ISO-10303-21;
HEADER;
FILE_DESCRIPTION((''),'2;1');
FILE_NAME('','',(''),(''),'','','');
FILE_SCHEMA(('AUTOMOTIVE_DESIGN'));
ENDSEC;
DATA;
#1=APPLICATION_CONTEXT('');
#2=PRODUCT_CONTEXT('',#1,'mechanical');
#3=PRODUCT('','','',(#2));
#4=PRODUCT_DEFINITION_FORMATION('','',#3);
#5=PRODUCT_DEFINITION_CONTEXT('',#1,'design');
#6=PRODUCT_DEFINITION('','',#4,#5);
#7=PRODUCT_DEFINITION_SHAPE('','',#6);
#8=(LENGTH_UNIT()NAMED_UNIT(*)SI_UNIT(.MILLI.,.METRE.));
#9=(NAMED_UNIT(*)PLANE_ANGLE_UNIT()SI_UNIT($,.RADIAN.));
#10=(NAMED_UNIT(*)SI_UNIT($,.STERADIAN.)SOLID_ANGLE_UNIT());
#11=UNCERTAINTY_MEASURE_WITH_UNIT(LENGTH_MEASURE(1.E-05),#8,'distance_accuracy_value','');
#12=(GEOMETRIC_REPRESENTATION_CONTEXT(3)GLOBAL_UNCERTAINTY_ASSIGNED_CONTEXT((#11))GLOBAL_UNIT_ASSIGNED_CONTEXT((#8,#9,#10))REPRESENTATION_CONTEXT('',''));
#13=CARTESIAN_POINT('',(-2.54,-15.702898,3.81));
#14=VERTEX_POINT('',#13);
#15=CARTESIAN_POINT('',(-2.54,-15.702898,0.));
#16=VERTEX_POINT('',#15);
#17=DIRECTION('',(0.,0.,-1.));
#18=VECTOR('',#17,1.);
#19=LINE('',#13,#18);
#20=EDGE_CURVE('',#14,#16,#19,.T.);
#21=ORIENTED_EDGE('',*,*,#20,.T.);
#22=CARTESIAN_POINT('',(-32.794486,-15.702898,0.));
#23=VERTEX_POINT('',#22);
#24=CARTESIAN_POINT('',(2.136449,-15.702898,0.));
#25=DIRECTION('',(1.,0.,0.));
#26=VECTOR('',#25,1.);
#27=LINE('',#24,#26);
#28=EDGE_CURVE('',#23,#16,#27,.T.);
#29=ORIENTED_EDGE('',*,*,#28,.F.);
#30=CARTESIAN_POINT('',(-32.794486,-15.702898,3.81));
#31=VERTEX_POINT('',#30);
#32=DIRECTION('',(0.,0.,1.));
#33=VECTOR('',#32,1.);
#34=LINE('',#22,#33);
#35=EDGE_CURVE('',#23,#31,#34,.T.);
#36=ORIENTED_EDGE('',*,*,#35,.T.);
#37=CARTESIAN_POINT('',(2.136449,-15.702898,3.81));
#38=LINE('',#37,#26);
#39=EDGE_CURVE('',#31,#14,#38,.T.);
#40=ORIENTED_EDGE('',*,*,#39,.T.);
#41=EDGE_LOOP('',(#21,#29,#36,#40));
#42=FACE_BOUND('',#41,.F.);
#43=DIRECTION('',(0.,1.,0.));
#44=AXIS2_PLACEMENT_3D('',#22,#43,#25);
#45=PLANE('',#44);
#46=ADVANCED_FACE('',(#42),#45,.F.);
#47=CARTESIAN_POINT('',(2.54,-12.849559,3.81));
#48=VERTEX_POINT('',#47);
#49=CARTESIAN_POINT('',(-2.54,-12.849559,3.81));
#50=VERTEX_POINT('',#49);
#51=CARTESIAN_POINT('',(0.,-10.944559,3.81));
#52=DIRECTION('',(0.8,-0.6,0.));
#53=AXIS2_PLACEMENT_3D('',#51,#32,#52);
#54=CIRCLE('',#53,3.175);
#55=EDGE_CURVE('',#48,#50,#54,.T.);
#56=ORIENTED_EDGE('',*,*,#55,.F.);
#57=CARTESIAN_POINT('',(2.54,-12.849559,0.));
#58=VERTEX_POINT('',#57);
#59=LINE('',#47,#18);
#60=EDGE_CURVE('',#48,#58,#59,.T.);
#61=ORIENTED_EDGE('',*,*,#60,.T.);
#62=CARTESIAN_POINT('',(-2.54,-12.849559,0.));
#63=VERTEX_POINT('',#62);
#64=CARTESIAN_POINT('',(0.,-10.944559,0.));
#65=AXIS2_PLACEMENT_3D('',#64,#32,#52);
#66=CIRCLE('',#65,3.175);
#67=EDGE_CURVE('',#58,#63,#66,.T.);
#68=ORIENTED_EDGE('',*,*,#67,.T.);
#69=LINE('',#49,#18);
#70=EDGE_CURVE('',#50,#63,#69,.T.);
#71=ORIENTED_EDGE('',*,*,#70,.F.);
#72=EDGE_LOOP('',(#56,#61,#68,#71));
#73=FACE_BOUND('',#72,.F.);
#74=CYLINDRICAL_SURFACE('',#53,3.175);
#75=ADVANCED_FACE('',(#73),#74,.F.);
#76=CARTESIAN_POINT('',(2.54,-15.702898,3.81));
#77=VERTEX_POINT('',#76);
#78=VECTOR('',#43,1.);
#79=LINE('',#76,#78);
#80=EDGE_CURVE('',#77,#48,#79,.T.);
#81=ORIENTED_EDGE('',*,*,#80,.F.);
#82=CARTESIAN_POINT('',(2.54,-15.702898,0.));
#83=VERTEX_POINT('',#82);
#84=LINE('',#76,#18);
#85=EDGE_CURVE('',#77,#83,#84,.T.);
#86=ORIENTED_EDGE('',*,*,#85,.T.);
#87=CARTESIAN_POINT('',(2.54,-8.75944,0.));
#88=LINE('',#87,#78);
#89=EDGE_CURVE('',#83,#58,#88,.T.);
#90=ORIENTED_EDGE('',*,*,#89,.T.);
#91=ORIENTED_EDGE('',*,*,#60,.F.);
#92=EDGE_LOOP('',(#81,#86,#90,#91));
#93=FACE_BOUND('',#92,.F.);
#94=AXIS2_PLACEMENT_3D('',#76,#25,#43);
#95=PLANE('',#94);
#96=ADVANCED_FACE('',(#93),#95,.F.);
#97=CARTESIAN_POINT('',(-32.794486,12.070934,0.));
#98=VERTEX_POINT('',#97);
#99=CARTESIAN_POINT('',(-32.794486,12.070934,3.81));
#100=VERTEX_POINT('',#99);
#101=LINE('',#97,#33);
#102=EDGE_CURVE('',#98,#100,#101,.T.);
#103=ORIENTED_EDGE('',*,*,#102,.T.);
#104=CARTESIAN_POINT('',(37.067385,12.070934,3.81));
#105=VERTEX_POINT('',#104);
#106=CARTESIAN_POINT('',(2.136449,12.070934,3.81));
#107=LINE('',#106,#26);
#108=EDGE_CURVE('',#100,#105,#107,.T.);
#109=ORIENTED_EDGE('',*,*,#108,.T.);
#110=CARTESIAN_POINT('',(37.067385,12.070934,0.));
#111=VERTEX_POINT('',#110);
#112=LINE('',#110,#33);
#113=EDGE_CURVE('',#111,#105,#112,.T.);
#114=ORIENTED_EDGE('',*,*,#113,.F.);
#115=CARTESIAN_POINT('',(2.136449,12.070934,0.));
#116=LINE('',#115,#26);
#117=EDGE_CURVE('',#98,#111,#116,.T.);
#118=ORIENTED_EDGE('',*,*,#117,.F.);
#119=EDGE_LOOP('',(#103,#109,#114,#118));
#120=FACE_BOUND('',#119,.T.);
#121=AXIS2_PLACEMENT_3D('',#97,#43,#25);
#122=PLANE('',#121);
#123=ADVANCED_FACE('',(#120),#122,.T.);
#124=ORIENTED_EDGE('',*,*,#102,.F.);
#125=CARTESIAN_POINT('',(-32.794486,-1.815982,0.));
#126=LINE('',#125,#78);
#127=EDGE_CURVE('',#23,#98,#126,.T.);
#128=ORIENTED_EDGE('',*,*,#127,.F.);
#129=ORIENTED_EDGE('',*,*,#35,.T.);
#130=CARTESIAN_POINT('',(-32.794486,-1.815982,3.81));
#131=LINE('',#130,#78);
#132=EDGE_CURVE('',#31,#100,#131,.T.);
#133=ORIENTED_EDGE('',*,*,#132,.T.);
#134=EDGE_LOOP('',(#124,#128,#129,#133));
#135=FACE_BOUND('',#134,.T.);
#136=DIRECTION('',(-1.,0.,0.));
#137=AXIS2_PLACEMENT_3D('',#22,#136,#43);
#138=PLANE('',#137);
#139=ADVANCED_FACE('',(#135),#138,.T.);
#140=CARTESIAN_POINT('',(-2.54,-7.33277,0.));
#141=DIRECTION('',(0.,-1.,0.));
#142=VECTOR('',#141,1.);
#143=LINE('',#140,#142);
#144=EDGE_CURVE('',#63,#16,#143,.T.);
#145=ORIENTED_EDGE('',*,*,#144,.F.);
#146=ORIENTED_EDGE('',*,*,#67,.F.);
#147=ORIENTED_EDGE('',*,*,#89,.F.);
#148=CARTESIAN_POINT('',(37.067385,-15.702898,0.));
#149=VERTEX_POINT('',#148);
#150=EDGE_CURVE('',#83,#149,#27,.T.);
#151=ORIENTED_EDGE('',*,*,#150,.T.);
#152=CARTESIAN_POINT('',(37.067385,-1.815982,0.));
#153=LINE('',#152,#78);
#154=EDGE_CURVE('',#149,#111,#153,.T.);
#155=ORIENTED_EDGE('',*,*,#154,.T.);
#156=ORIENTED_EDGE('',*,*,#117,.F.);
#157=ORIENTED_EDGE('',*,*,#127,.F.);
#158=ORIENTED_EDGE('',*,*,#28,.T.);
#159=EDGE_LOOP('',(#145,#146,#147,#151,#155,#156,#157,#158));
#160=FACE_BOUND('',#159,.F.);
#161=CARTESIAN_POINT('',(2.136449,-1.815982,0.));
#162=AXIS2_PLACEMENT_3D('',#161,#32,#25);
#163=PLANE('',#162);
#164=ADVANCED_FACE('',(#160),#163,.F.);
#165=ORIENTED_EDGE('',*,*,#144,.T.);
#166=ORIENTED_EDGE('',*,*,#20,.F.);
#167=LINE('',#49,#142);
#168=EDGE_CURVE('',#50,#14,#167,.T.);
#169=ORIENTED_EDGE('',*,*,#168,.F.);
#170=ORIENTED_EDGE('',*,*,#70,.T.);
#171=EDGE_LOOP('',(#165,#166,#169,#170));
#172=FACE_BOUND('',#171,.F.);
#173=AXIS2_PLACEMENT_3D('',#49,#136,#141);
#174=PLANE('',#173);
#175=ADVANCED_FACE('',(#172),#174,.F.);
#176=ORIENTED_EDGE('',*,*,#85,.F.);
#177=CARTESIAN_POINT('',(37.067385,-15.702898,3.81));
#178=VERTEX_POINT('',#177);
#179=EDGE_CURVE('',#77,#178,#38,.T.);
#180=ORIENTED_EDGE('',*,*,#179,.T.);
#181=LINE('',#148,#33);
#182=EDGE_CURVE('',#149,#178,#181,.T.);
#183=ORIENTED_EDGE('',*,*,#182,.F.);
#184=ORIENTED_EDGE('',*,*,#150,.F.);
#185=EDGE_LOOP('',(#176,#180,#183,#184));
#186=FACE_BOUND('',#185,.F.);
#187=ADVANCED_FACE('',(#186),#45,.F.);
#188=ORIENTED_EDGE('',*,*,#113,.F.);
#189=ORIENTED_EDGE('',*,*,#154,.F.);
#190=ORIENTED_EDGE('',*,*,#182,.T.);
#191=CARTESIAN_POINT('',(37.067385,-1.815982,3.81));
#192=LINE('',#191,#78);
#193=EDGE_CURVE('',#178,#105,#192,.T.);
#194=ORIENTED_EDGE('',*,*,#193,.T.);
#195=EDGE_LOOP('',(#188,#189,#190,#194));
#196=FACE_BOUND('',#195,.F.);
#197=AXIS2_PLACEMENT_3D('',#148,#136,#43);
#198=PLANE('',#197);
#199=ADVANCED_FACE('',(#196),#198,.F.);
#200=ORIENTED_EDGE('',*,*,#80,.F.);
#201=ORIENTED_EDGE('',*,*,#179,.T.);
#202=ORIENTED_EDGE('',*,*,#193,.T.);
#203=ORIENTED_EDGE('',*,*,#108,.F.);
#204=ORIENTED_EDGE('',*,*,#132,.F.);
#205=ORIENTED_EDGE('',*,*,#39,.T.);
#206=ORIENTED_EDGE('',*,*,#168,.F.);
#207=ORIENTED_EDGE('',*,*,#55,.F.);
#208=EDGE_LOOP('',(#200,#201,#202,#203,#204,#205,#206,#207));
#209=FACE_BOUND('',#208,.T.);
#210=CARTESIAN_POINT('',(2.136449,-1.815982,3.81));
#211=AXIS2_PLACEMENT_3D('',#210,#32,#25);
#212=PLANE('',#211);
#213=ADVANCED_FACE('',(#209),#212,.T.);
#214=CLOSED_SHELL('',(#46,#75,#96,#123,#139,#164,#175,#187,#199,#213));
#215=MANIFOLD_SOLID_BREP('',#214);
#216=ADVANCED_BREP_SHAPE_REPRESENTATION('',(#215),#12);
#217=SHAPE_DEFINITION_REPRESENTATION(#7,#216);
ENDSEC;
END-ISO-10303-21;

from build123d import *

# Parameters (mm, degrees)
F0_W     = 69.861871
F0_H     = 27.773832
F1_DEPTH = 3.81
F3_DEPTH = 25.4


with BuildPart() as f1:
    # F0 (on Top) → F1 (new body)
    with BuildSketch(Plane.XY):
        with Locations((2.136449, -1.815982)):
            Rectangle(F0_W, F0_H)
    extrude(amount=F1_DEPTH)

    # F2 (on face) → F3 (cut)
    with BuildSketch(Plane.XY.offset(3.81)):
        with BuildLine():
            Line((2.54, -15.702898), (2.54, -12.849559))
            ThreePointArc((2.54, -12.849559), (0, -7.769559), (-2.54, -12.849559))
            Line((-2.54, -12.849559), (-2.54, -15.702898))
            Line((-2.54, -15.702898), (2.54, -15.702898))
        make_face()
    extrude(amount=-F3_DEPTH, mode=Mode.SUBTRACT)


solid = f1.part
